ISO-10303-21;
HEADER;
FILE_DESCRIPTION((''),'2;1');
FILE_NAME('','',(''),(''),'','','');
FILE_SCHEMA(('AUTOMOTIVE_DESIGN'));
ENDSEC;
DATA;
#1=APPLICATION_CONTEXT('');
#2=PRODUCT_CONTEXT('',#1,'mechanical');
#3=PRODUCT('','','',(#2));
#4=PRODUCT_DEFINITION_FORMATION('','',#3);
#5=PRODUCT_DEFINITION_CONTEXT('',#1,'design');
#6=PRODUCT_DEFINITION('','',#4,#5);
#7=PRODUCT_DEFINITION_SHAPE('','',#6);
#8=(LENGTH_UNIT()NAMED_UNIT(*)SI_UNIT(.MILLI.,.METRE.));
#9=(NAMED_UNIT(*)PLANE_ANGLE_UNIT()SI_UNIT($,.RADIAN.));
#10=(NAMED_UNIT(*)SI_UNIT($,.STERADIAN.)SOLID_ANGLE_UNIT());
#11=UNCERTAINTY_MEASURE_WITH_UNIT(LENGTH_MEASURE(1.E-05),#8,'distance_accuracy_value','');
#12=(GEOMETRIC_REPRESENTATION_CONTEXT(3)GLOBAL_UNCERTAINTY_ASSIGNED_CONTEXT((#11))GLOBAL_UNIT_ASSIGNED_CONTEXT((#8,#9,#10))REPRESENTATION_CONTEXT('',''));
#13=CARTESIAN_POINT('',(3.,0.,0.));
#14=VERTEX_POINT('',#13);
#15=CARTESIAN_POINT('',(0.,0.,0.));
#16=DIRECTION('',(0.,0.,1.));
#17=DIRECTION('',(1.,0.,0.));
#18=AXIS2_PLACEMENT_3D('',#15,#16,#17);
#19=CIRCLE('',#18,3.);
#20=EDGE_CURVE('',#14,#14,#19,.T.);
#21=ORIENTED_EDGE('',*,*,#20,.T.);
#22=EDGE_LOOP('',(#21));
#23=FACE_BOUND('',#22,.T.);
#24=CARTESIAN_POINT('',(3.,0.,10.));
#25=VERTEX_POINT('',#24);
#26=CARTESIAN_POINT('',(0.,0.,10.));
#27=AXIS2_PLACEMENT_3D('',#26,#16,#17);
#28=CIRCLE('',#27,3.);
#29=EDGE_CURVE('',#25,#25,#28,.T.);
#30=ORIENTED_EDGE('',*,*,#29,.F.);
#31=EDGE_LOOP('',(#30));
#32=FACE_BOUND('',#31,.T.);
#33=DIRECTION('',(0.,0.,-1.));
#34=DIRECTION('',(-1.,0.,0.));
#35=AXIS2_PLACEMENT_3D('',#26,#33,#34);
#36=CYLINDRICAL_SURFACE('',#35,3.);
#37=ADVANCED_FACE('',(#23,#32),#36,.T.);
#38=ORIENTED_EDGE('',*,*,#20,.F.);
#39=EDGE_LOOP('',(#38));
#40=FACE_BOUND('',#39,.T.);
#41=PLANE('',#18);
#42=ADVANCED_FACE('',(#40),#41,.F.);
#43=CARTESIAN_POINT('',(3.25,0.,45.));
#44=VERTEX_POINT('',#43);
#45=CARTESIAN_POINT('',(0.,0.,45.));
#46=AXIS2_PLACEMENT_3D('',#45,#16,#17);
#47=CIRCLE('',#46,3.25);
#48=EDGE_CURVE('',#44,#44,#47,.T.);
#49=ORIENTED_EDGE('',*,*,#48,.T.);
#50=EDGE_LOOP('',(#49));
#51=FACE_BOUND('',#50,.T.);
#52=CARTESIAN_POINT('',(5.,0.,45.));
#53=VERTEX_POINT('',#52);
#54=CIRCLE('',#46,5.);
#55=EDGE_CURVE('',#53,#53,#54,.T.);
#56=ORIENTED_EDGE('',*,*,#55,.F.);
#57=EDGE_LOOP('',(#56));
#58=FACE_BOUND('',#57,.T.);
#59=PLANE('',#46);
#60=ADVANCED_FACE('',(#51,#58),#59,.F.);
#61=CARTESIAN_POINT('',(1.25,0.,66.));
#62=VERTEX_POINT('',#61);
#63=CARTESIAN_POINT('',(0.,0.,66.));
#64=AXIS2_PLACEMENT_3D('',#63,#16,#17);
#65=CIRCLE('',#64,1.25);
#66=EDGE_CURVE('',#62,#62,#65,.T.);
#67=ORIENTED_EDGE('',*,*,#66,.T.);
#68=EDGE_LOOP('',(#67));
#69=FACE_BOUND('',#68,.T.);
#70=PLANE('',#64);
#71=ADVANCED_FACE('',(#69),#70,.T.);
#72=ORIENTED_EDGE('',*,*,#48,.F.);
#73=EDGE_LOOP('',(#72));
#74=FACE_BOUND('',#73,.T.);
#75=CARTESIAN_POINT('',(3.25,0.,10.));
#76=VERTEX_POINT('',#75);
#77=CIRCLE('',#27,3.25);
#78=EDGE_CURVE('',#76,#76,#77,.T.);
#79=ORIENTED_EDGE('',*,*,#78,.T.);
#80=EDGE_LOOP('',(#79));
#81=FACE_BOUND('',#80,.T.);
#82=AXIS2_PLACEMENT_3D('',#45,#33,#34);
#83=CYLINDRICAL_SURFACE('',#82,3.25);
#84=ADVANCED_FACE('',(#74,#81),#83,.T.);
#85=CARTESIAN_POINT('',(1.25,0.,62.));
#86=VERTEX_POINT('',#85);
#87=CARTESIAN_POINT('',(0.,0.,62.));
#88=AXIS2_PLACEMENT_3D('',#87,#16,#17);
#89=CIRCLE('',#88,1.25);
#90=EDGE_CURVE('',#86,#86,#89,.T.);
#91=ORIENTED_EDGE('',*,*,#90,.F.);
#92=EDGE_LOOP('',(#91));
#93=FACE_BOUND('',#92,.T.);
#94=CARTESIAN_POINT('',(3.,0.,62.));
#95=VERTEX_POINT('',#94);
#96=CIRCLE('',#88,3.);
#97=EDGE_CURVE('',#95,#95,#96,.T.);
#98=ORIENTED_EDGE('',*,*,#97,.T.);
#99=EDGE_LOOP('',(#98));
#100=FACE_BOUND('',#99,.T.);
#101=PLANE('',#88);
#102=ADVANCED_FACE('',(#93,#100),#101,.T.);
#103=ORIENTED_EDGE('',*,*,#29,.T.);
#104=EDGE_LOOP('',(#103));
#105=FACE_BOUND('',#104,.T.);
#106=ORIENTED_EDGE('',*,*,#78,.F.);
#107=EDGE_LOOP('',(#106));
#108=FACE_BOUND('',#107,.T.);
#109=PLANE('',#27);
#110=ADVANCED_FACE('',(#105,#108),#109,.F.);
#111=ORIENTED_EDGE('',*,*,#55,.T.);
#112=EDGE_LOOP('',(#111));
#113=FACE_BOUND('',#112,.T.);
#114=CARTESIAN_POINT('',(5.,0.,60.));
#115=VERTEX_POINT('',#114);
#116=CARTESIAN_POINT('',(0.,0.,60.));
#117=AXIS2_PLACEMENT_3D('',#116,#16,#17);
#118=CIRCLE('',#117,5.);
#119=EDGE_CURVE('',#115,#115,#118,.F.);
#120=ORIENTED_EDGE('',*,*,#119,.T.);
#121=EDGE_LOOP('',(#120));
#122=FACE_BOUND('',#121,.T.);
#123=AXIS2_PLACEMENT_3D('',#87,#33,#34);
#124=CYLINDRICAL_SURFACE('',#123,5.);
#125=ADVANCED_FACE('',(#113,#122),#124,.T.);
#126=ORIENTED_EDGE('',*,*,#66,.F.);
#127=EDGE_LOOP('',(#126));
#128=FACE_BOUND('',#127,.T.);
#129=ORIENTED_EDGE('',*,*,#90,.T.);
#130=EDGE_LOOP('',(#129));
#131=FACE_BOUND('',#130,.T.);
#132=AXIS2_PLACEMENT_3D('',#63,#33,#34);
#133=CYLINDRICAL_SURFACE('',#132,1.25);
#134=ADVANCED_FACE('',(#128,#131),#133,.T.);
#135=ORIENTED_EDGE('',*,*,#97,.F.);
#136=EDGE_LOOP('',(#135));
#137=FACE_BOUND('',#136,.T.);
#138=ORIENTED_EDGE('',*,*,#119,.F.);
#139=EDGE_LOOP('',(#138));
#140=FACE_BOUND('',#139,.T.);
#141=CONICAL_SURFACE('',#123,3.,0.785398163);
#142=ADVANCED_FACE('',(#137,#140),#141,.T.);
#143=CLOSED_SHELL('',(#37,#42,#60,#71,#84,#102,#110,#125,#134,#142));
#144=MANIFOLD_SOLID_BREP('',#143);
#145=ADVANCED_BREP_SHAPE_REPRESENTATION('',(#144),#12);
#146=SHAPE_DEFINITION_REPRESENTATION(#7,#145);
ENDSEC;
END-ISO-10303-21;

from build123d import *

# Parameters (mm, degrees)
CROQUIS1_R              = 3
SALIENTE_EXTRUIR1_DEPTH = 10
CROQUIS2_R              = 3.25
SALIENTE_EXTRUIR2_DEPTH = 35
CROQUIS3_R              = 5
SALIENTE_EXTRUIR3_DEPTH = 17
CHAFL_N1_SIZE           = 2
CROQUIS4_R              = 1.25
SALIENTE_EXTRUIR4_DEPTH = 4


with BuildPart() as part:
    # Croquis1 → Saliente-Extruir1 (new body)
    with BuildSketch(Plane.XY):
        Circle(CROQUIS1_R)
    extrude(amount=SALIENTE_EXTRUIR1_DEPTH)

    # Croquis2 → Saliente-Extruir2 (add)
    with BuildSketch(Plane.XY.offset(10)):
        Circle(CROQUIS2_R)
    extrude(amount=SALIENTE_EXTRUIR2_DEPTH)

    # Croquis3 → Saliente-Extruir3 (add)
    with BuildSketch(Plane.XY.offset(45)):
        Circle(CROQUIS3_R)
    extrude(amount=SALIENTE_EXTRUIR3_DEPTH)

    # Chaflán1
    chafl_n1_edges = [part.edges().sort_by_distance(p)[0] for p in [
        (-5, 0, 62),
    ]]
    chamfer(chafl_n1_edges, length=CHAFL_N1_SIZE)

    # Croquis4 → Saliente-Extruir4 (add)
    with BuildSketch(Plane.XY.offset(62)):
        Circle(CROQUIS4_R)
    extrude(amount=SALIENTE_EXTRUIR4_DEPTH)


solid = part.part
